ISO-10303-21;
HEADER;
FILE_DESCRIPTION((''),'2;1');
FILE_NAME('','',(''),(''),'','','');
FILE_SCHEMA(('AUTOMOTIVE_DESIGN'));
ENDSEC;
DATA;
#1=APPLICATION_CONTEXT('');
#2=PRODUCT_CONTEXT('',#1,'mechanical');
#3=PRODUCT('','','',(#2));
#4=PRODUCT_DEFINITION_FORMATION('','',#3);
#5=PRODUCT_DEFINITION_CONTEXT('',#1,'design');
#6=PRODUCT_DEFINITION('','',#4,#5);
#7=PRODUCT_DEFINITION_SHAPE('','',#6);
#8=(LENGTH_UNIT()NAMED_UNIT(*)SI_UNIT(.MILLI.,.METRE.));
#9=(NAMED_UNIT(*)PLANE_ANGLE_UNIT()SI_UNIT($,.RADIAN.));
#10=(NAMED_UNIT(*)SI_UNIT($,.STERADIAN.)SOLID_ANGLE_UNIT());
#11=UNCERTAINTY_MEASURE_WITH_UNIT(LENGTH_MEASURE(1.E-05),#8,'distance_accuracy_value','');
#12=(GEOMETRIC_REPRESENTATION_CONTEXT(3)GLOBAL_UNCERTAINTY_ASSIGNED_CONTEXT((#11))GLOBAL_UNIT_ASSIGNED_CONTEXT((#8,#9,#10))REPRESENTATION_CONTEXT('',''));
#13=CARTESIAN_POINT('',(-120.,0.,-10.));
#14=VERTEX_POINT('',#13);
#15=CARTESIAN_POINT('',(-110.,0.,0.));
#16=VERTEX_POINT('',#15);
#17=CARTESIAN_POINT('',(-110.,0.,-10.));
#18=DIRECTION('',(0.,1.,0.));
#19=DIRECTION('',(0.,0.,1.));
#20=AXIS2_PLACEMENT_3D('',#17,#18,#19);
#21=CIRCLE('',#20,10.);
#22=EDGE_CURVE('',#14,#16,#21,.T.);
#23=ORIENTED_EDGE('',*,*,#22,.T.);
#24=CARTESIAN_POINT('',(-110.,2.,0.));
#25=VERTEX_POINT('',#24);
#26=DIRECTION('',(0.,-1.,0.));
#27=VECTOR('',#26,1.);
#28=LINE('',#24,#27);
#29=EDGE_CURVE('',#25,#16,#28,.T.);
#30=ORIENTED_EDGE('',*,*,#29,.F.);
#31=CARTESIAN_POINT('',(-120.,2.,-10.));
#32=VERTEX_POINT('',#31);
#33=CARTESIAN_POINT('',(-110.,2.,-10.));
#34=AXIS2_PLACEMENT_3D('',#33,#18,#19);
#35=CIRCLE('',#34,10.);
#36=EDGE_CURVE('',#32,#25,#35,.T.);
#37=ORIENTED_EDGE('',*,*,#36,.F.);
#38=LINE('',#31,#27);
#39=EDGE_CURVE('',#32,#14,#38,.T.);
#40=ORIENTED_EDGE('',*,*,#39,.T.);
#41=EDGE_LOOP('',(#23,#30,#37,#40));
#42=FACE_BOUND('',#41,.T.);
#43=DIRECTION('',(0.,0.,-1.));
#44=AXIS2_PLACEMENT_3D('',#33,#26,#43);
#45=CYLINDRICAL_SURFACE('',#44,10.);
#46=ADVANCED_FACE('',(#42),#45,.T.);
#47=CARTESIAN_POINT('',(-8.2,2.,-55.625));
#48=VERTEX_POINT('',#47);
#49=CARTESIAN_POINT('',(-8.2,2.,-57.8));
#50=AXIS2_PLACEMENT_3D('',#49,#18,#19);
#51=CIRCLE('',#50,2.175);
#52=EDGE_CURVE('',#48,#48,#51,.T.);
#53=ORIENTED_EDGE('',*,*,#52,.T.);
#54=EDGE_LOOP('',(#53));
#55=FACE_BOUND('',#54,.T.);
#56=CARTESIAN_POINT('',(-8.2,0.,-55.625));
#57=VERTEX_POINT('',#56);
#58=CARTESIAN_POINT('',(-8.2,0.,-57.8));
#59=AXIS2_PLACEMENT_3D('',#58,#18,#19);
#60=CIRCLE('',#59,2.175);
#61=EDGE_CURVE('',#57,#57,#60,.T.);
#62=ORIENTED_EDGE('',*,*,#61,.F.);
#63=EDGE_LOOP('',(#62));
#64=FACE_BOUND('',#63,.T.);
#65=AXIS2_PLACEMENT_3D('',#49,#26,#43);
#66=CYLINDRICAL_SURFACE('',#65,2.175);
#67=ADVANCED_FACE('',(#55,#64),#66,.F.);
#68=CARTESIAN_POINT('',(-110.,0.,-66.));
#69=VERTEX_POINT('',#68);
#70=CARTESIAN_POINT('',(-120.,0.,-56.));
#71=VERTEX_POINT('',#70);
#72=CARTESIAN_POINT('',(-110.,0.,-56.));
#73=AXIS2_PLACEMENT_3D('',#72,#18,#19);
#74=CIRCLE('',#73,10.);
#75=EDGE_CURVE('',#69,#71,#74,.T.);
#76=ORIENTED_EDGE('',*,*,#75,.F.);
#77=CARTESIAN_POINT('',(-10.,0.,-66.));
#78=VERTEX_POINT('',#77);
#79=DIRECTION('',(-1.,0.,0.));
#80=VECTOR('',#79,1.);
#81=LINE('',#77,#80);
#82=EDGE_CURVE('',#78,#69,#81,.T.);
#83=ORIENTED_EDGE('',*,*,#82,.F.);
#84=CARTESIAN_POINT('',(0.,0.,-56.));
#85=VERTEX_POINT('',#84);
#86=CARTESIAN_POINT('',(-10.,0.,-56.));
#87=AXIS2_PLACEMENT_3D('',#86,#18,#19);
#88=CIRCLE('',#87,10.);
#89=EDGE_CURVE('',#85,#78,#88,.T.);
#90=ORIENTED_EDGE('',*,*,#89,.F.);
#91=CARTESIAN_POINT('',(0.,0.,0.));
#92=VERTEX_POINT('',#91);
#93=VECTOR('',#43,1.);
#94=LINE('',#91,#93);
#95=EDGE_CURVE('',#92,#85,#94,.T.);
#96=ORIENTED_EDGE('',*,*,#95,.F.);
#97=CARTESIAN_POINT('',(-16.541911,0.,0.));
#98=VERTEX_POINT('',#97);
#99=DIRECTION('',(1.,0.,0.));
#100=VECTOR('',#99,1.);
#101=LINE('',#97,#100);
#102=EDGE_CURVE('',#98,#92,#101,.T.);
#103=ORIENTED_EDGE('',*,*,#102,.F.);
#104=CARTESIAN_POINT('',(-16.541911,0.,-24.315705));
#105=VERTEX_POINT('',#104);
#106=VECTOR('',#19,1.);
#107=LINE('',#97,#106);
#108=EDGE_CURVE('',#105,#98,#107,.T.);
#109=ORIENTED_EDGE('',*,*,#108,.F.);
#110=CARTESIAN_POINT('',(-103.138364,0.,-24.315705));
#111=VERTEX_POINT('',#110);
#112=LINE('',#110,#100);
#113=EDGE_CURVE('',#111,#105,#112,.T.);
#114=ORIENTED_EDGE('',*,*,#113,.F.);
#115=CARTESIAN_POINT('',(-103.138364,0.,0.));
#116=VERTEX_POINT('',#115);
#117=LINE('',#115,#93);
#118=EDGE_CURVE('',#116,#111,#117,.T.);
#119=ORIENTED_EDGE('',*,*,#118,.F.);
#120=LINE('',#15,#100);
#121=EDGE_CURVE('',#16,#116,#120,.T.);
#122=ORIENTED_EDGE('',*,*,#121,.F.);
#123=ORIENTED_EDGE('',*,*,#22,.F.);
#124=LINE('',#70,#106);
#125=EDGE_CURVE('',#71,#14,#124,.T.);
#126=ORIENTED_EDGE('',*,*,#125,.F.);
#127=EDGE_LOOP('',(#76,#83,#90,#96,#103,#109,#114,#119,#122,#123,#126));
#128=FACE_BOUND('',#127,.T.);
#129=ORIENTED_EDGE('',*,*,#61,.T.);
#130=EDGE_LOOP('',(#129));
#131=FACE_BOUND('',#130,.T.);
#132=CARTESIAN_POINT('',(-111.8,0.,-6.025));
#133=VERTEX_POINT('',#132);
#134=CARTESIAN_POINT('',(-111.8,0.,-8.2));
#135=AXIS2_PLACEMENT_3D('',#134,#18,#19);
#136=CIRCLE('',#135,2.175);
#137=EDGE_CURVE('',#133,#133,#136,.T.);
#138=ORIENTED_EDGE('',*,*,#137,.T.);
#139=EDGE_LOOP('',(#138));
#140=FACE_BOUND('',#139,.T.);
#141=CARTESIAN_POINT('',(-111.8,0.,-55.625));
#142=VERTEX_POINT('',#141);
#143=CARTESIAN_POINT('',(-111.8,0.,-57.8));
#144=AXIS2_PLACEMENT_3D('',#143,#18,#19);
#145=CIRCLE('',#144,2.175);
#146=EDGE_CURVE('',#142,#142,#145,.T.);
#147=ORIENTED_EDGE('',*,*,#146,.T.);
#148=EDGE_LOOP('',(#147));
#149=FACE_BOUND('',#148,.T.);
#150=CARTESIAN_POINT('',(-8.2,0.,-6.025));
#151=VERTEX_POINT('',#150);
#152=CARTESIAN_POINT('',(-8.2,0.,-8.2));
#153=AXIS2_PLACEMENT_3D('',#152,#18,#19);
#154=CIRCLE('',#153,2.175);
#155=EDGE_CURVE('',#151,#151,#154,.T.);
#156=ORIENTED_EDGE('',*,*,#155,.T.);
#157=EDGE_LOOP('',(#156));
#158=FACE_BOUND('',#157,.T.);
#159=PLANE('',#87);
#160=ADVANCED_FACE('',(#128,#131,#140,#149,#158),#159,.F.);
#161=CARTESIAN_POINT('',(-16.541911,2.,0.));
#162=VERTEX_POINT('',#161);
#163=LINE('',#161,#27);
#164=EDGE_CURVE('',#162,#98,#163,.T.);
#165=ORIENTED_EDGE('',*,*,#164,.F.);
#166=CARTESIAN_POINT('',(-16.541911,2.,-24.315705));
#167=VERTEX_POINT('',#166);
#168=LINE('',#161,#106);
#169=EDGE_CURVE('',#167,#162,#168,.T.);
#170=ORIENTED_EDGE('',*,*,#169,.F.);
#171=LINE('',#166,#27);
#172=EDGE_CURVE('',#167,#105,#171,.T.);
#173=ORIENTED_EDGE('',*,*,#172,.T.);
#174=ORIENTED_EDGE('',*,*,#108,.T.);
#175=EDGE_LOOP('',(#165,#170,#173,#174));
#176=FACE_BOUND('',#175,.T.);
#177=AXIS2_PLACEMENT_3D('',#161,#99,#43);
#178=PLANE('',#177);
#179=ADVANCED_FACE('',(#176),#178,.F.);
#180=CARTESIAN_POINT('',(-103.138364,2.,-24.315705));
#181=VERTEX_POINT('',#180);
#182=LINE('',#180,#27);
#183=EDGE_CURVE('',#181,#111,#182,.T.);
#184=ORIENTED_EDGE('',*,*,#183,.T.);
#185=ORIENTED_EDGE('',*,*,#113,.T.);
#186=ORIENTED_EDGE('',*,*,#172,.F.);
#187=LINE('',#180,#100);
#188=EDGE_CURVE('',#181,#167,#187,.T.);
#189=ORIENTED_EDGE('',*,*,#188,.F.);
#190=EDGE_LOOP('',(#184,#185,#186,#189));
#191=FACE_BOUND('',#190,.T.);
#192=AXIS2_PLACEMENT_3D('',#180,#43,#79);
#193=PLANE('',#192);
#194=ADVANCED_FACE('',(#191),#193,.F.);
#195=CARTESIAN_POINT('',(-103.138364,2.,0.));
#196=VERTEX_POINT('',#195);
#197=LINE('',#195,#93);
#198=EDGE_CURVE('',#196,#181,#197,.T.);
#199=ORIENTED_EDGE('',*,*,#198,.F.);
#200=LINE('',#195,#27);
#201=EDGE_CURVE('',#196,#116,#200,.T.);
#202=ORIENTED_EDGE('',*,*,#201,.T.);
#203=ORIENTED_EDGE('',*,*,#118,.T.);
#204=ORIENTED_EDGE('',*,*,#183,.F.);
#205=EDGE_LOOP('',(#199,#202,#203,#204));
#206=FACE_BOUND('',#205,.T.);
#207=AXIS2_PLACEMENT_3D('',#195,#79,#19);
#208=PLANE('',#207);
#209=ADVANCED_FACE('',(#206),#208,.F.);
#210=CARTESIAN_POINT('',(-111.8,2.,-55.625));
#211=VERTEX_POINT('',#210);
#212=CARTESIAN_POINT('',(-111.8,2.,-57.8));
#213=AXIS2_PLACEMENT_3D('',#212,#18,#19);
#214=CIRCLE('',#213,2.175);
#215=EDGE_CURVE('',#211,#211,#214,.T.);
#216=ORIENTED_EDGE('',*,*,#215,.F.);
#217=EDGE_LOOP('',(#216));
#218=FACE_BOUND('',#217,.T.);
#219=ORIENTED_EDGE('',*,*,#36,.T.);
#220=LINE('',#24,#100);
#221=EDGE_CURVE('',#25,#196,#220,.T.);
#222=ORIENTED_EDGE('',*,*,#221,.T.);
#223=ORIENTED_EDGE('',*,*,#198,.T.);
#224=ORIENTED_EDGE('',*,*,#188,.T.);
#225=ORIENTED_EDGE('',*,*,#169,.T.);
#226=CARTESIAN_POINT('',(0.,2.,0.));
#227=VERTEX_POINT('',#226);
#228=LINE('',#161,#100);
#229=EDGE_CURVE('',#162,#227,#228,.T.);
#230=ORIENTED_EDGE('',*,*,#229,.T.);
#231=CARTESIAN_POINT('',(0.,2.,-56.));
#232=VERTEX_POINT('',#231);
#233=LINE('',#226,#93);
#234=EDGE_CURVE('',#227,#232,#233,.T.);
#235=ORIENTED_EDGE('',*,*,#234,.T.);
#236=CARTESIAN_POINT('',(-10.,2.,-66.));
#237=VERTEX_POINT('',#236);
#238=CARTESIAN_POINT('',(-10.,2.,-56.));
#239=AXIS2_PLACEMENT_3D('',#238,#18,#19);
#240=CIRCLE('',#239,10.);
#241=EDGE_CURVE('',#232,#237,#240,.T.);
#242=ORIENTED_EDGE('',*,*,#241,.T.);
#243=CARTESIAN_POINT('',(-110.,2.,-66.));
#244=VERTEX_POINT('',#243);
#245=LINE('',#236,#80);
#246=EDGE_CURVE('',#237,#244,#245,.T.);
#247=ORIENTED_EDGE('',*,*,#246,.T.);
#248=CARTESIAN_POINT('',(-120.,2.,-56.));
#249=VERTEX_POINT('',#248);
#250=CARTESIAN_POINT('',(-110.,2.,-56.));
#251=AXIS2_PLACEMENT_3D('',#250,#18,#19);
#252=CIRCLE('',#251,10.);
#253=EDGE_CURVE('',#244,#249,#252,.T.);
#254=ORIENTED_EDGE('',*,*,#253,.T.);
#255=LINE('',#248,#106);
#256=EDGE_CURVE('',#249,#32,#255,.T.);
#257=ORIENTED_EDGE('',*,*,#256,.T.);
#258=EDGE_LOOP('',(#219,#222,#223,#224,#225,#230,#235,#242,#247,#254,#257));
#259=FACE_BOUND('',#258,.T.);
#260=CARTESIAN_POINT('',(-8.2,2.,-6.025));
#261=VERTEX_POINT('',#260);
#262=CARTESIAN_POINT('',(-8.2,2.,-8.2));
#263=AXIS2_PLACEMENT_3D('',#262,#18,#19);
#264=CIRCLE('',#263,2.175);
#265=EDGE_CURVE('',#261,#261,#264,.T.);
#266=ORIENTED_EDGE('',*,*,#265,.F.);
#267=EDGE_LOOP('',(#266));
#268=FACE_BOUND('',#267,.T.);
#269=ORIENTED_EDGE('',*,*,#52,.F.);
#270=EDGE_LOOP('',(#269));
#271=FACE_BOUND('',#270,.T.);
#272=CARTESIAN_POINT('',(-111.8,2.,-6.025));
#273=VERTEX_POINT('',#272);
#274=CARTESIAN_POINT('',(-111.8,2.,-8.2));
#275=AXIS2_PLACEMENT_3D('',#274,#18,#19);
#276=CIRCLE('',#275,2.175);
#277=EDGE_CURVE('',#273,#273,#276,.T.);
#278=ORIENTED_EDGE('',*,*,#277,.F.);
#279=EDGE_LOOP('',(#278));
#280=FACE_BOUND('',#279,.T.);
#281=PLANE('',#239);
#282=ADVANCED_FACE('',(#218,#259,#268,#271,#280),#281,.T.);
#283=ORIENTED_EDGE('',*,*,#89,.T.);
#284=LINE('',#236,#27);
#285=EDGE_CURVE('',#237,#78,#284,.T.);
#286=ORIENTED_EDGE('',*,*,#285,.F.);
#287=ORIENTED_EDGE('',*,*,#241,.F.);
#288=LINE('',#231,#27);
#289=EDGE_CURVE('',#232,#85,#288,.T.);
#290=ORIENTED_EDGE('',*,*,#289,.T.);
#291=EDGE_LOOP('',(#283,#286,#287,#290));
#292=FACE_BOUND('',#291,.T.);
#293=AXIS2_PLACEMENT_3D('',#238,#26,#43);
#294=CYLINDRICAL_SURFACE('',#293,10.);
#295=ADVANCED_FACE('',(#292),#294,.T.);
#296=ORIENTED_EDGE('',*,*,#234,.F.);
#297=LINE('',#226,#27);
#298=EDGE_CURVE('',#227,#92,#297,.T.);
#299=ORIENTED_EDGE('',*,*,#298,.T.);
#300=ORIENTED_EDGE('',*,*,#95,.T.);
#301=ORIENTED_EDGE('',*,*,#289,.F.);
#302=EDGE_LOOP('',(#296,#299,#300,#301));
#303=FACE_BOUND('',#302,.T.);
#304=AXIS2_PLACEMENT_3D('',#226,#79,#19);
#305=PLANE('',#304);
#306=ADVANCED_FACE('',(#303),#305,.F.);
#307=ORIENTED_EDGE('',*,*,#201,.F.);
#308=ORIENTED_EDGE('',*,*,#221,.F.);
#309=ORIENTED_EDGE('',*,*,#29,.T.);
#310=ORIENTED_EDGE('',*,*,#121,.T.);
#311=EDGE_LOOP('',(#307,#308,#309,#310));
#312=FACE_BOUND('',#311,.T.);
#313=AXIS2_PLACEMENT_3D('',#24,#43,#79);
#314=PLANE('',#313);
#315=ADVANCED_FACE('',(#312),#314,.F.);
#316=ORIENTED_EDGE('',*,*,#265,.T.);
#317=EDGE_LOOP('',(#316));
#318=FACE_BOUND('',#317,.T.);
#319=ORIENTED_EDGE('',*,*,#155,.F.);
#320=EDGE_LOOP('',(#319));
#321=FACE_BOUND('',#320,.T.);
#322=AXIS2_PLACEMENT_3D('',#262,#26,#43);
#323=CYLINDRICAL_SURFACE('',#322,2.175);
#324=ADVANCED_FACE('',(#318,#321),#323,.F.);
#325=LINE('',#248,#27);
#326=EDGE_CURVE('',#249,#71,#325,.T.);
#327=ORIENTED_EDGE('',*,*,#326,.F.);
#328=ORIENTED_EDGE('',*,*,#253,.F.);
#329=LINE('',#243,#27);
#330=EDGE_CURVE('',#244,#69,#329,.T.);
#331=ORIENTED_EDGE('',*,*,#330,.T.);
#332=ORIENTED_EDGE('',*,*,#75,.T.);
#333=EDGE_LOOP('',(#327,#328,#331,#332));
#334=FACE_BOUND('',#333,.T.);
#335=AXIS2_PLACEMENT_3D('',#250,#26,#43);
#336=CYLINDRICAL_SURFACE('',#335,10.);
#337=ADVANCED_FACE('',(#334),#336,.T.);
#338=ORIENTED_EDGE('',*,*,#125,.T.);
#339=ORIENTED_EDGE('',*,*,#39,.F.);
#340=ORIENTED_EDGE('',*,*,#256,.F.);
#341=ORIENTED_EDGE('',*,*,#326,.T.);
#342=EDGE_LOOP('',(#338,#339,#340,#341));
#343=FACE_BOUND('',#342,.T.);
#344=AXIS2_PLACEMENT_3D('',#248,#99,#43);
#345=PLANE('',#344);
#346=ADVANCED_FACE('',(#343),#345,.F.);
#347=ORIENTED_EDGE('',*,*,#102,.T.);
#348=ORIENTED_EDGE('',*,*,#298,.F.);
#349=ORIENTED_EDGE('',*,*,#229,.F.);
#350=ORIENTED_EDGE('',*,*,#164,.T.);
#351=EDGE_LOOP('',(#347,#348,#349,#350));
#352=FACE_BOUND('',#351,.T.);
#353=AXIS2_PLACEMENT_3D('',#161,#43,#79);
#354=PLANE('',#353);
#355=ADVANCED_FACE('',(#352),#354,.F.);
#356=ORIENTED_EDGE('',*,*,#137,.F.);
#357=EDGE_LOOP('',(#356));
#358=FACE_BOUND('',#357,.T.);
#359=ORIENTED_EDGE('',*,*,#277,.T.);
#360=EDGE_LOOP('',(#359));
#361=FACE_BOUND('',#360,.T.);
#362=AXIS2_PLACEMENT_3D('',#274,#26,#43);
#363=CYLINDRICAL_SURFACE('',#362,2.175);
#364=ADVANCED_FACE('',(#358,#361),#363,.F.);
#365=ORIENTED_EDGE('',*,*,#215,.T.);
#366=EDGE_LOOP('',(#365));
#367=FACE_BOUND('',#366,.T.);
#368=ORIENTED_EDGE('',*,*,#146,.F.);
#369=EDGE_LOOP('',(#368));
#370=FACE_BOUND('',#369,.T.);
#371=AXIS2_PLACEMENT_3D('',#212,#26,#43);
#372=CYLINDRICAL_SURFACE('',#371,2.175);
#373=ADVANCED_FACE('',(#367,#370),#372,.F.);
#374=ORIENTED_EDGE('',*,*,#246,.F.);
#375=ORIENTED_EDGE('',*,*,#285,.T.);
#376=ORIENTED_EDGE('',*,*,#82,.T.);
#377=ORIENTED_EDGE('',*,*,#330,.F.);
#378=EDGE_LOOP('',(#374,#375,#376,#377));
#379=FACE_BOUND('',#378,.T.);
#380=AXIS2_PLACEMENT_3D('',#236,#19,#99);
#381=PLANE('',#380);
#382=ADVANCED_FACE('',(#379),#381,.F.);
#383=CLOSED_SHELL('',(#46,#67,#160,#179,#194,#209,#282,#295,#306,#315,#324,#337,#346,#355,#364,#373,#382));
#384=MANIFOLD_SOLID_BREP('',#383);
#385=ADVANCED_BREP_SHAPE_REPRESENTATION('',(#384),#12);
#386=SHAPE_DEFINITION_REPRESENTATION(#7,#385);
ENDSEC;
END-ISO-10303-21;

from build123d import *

# Parameters (mm, degrees)
CROQUIS1_R              = 2.175
SALIENTE_EXTRUIR1_DEPTH = 2


with BuildPart() as part:
    # Croquis1 → Saliente-Extruir1 (new body)
    with BuildSketch(Plane(origin=(0, 0, 0), x_dir=(1, 0, 0), z_dir=(0, 1, 0))):
        with BuildLine():
            Line((0, 0), (0, 56))
            ThreePointArc((0, 56), (-2.928932188, 63.071067812), (-10, 66))
            Line((-10, 66), (-110, 66))
            ThreePointArc((-110, 66), (-117.071067812, 63.071067812), (-120, 56))
            Line((-120, 56), (-120, 10))
            ThreePointArc((-120, 10), (-117.071067812, 2.928932188), (-110, 0))
            Line((-110, 0), (-103.13836414, 0))
            Line((-103.13836414, 0), (-103.13836414, 24.315705481))
            Line((-103.13836414, 24.315705481), (-16.541911164, 24.315705481))
            Line((-16.541911164, 24.315705481), (-16.541911164, 0))
            Line((-16.541911164, 0), (0, 0))
        make_face()
        with Locations((-8.2, 8.2)):
            Circle(CROQUIS1_R, mode=Mode.SUBTRACT)
        with Locations((-8.2, 57.8)):
            Circle(CROQUIS1_R, mode=Mode.SUBTRACT)
        with Locations((-111.8, 57.8)):
            Circle(CROQUIS1_R, mode=Mode.SUBTRACT)
        with Locations((-111.8, 8.2)):
            Circle(CROQUIS1_R, mode=Mode.SUBTRACT)
    extrude(amount=SALIENTE_EXTRUIR1_DEPTH)


solid = part.part
